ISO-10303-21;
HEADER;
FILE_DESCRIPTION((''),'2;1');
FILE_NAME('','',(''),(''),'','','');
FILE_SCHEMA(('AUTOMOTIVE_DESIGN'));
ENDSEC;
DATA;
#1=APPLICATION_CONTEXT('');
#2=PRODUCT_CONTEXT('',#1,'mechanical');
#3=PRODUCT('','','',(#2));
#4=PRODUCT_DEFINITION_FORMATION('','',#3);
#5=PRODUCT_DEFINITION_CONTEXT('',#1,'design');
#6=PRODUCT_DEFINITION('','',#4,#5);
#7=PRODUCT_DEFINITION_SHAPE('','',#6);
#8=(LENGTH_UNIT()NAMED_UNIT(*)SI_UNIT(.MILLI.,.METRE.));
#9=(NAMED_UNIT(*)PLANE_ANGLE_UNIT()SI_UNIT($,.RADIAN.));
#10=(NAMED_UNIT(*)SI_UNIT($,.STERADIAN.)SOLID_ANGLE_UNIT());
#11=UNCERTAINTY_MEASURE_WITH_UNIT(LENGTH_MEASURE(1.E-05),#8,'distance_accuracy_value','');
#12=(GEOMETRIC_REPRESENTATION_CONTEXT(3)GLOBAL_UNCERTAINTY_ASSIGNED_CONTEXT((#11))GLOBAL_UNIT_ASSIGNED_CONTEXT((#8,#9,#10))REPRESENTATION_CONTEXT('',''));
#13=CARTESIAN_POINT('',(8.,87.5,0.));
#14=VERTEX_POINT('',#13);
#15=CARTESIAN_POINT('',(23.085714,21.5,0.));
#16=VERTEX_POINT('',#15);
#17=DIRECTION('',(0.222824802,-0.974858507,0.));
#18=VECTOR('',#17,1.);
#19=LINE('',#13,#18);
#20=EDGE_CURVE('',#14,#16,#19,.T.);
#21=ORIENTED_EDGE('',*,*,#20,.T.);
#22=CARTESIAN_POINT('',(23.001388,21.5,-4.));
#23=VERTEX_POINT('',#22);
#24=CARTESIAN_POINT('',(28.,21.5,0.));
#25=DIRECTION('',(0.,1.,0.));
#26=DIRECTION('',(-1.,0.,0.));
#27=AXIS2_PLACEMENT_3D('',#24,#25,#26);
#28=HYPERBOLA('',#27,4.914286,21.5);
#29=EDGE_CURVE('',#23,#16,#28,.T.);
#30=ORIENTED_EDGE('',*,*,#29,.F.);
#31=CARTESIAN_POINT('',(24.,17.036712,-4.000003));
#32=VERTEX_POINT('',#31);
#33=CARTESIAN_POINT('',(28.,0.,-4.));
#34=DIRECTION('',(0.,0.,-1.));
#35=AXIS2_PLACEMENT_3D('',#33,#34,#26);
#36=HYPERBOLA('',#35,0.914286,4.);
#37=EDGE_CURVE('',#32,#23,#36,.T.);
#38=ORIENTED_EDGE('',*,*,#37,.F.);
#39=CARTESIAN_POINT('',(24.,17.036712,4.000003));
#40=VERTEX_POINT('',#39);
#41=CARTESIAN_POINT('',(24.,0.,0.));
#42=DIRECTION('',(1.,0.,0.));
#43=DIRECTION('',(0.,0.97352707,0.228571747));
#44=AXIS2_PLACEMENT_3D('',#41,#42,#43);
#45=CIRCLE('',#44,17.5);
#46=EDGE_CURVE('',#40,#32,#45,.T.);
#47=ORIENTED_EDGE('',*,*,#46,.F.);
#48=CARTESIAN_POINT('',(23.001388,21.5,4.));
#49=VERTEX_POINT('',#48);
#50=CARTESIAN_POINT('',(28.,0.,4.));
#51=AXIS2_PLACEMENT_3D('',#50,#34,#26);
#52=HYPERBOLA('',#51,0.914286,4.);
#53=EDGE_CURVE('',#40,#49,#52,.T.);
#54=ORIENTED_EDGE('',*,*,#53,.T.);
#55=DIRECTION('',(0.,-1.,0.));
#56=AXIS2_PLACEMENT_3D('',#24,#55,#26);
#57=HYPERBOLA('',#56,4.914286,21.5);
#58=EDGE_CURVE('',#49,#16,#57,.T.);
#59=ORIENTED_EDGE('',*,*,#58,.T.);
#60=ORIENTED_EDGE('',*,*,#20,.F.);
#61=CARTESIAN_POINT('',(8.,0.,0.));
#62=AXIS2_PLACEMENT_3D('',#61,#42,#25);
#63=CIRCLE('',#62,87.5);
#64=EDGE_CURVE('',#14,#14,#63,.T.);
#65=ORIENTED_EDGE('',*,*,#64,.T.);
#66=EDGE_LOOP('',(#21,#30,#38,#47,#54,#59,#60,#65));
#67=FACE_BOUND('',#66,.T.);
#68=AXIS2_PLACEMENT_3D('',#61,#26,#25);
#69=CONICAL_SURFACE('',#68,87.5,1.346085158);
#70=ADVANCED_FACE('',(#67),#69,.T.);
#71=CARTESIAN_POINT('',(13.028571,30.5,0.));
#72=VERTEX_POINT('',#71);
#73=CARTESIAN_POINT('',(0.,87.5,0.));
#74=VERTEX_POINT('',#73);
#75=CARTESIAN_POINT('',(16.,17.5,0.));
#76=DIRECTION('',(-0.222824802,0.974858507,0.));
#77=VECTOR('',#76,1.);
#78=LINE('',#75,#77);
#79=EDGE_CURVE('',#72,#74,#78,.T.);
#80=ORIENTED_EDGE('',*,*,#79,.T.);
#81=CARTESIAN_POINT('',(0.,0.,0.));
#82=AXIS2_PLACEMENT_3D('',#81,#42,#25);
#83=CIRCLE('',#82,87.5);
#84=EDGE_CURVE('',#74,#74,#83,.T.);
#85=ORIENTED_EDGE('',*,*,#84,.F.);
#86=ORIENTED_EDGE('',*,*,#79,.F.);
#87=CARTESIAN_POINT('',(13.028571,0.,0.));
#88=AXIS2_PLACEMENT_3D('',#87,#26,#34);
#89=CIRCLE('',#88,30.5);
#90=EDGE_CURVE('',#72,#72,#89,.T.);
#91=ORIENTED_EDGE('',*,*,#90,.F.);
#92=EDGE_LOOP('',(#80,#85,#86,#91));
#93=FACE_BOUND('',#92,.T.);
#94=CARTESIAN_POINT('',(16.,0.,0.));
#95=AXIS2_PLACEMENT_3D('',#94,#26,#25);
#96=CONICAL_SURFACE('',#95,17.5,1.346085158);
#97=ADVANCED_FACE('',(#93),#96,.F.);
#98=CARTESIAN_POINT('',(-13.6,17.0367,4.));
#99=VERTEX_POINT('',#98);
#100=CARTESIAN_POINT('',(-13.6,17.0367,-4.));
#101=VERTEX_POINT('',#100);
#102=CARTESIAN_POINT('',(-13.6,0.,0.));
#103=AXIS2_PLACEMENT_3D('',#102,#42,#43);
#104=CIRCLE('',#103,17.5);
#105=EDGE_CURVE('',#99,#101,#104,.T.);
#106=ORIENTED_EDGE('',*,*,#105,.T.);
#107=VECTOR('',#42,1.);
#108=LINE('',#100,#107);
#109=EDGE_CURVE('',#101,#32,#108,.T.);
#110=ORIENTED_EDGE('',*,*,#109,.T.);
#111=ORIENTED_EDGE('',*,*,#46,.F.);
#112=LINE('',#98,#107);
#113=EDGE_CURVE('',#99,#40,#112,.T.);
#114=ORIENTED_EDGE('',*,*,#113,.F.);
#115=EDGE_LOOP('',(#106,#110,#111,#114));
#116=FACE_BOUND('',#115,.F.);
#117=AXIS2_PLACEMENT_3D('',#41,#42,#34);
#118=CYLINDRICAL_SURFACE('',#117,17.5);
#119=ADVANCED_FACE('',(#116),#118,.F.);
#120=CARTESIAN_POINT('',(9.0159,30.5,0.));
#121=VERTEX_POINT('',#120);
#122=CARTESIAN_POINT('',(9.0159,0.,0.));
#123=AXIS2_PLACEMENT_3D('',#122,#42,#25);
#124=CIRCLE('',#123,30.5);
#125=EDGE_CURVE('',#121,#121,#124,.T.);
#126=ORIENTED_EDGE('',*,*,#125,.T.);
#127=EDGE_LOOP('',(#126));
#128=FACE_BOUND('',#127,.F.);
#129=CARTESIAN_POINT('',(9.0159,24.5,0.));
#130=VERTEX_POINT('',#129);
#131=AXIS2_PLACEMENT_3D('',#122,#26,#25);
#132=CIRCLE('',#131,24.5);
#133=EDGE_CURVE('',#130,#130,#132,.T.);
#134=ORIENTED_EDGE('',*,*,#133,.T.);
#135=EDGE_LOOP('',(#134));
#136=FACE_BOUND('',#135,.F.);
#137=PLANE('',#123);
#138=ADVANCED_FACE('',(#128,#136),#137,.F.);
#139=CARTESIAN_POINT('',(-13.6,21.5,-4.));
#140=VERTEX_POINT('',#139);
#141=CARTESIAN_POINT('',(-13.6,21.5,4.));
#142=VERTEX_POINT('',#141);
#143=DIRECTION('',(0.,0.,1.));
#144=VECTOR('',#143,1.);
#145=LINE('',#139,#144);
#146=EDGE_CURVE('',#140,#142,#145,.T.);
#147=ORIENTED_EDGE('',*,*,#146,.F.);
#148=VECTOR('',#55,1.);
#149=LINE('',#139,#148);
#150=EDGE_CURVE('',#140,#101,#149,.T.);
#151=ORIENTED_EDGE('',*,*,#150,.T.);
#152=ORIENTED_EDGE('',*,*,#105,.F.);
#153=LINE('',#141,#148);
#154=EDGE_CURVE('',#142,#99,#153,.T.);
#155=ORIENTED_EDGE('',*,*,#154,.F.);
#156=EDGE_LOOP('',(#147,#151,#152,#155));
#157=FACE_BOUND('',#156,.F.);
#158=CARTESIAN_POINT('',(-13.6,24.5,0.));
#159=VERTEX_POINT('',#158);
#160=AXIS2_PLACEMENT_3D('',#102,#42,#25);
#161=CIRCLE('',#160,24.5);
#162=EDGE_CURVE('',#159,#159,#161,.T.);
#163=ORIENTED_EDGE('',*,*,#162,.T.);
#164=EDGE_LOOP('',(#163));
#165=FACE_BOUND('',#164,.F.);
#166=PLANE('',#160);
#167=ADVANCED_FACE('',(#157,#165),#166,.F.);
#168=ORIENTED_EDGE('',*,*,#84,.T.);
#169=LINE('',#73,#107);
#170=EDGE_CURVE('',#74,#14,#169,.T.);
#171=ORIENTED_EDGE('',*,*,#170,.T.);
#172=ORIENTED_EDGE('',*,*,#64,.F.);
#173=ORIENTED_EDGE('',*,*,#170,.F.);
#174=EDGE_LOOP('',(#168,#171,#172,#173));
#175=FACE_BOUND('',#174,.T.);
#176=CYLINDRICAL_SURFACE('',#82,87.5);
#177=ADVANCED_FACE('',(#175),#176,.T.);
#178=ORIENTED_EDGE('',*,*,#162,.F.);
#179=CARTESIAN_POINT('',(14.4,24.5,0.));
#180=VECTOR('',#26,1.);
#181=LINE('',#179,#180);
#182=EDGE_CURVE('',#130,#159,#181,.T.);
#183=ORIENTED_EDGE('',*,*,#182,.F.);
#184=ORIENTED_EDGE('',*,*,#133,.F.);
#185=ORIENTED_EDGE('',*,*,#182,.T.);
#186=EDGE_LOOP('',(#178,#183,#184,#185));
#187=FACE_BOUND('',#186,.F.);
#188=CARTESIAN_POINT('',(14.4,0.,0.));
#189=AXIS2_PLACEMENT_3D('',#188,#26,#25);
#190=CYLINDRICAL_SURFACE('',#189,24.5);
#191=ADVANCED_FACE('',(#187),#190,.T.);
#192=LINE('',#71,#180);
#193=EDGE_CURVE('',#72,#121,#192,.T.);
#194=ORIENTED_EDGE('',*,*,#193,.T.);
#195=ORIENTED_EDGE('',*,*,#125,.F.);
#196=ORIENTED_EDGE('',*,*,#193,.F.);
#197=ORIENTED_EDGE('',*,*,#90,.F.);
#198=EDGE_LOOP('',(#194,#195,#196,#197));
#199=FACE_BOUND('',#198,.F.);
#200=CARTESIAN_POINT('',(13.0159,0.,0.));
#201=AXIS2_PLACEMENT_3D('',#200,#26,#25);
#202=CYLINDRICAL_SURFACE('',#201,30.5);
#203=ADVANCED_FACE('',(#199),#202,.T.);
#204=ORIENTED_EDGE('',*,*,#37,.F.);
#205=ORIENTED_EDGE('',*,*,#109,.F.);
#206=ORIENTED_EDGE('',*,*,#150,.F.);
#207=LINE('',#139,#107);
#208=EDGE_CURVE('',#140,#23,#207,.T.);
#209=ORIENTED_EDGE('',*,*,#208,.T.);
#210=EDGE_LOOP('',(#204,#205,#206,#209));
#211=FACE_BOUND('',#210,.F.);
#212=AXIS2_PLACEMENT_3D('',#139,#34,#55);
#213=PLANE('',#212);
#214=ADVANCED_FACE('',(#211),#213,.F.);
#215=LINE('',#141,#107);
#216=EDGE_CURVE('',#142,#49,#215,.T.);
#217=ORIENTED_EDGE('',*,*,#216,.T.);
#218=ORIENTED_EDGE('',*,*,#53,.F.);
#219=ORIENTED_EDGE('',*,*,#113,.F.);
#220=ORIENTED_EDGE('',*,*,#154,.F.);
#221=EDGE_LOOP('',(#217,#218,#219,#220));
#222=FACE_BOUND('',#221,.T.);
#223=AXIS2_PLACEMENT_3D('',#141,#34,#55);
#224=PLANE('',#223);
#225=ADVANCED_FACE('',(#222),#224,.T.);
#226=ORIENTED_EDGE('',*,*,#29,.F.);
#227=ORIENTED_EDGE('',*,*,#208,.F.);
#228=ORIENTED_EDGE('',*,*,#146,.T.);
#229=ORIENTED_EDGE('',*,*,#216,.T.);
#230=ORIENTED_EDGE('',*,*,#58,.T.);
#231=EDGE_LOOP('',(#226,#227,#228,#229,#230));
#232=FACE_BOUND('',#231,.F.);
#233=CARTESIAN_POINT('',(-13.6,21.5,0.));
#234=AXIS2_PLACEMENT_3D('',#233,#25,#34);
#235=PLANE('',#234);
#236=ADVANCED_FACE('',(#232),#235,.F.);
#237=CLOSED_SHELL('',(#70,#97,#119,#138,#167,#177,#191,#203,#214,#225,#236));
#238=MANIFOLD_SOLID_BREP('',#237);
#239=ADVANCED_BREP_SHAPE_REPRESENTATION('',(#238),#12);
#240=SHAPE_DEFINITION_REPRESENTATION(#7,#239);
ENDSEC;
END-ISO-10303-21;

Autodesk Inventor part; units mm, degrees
ref_plane "YZ Plane" through (0, 0, 0) normal (1, 0, 0) x (0, 1, 0)
ref_plane "XZ Plane" through (0, 0, 0) normal (0, 1, 0) x (-1, 0, 0)
ref_plane "XY Plane" through (0, 0, 0) normal (0, 0, 1) x (1, 0, 0)
sketch "Sketch1" plane through (0, 0, 0) normal (0, 0, 1) x (1, 0, 0)
  line L0 (0, 87.5) -> (8, 87.5)
  line L1 (24, 0) -> (24, 17.5)
  line L2 (8, 87.5) -> (24, 17.5)
  line L3 (16, 0) -> (16, 17.5)
  line L4 (16, 17.5) -> (0, 87.5)
  line L5 (16, 0) -> (24, 0)
  point P0 (0, 0)
  dimension "d0" = 87.5
  dimension "d1" = 8
  dimension "d3" = 17.5
  dimension "d7" = 8
  dimension "d8" = 167.125
  dimension "d9" = 175
  dimension "d10" = 24
revolve "Revolution1" add sketch "Sketch1" angle 360 about axis through (16, 0, 0) along (1, 0, 0)
sketch "Sketch2" plane through (0, 0, 0) normal (0, 0, 1) x (1, 0, 0)
  line L0 (16, 0) -> (16, 24.5)
  line L1 (16, -17.5) -> (16, 17.5) projected
  line L2 (14.4, 24.5) -> (16, 24.5)
  line L3 (14.4, 24.5) -> (-13.6, 24.5)
  line L4 (-13.6, 24.5) -> (-13.6, 0)
  line L5 (-13.6, 0) -> (16, 0)
  point P0 (0, 0)
  dimension "d13" = 24.5
  dimension "d15" = 28
revolve "Revolution2" add sketch "Sketch2" angle 360 about axis through (-13.6, 0, 0) along (1, 0, 0)
sketch "Sketch3" plane through (0, 0, 0) normal (0, 0, 1) x (1, 0, 0)
  line L0 (14.4, 0) -> (14.4, 30.5)
  line L1 (14.4, 30.5) -> (13.0159, 30.5)
  line L2 (13.0159, 30.5) -> (9.0159, 30.5)
  line L3 (9.0159, 30.5) -> (9.0159, 0)
  line L4 (9.0159, 0) -> (14.4, 0)
  point P0 (0, 0)
  dimension "d17" = 30.5
  dimension "d18" = 4
revolve "Revolution3" add sketch "Sketch3" angle 360 about axis through (9.0159, 0, 0) along (1, 0, 0)
sketch "Sketch4" plane through (24, 0, 0) normal (1, 0, 0) x (0, 0, -1)
  circle A0 centre (0, 0) radius 17.5
extrude "Extrusion1" cut sketch "Sketch4" against normal through all
sketch "Sketch5" plane through (-13.6, 0, 0) normal (-1, 0, 0) x (0, 0, 1)
  circle A0 centre (0, 0) radius 17.5 projected
  line L0 (0, 21.5) -> (4, 21.5)
  line L1 (0, 21.5) -> (-4, 21.5)
  line L2 (-4, 21.5) -> (-4, 17.0367)
  line L3 (4, 21.5) -> (4, 17.0367)
  line L4 (-4, 17.0367) -> (4, 17.0367)
  dimension "d23" = 4
  dimension "d24" = 4
extrude "Extrusion2" cut sketch "Sketch5" against normal through all contours A0 L2 L1 L0 L3
properties part number "Nivelador de Correia"
